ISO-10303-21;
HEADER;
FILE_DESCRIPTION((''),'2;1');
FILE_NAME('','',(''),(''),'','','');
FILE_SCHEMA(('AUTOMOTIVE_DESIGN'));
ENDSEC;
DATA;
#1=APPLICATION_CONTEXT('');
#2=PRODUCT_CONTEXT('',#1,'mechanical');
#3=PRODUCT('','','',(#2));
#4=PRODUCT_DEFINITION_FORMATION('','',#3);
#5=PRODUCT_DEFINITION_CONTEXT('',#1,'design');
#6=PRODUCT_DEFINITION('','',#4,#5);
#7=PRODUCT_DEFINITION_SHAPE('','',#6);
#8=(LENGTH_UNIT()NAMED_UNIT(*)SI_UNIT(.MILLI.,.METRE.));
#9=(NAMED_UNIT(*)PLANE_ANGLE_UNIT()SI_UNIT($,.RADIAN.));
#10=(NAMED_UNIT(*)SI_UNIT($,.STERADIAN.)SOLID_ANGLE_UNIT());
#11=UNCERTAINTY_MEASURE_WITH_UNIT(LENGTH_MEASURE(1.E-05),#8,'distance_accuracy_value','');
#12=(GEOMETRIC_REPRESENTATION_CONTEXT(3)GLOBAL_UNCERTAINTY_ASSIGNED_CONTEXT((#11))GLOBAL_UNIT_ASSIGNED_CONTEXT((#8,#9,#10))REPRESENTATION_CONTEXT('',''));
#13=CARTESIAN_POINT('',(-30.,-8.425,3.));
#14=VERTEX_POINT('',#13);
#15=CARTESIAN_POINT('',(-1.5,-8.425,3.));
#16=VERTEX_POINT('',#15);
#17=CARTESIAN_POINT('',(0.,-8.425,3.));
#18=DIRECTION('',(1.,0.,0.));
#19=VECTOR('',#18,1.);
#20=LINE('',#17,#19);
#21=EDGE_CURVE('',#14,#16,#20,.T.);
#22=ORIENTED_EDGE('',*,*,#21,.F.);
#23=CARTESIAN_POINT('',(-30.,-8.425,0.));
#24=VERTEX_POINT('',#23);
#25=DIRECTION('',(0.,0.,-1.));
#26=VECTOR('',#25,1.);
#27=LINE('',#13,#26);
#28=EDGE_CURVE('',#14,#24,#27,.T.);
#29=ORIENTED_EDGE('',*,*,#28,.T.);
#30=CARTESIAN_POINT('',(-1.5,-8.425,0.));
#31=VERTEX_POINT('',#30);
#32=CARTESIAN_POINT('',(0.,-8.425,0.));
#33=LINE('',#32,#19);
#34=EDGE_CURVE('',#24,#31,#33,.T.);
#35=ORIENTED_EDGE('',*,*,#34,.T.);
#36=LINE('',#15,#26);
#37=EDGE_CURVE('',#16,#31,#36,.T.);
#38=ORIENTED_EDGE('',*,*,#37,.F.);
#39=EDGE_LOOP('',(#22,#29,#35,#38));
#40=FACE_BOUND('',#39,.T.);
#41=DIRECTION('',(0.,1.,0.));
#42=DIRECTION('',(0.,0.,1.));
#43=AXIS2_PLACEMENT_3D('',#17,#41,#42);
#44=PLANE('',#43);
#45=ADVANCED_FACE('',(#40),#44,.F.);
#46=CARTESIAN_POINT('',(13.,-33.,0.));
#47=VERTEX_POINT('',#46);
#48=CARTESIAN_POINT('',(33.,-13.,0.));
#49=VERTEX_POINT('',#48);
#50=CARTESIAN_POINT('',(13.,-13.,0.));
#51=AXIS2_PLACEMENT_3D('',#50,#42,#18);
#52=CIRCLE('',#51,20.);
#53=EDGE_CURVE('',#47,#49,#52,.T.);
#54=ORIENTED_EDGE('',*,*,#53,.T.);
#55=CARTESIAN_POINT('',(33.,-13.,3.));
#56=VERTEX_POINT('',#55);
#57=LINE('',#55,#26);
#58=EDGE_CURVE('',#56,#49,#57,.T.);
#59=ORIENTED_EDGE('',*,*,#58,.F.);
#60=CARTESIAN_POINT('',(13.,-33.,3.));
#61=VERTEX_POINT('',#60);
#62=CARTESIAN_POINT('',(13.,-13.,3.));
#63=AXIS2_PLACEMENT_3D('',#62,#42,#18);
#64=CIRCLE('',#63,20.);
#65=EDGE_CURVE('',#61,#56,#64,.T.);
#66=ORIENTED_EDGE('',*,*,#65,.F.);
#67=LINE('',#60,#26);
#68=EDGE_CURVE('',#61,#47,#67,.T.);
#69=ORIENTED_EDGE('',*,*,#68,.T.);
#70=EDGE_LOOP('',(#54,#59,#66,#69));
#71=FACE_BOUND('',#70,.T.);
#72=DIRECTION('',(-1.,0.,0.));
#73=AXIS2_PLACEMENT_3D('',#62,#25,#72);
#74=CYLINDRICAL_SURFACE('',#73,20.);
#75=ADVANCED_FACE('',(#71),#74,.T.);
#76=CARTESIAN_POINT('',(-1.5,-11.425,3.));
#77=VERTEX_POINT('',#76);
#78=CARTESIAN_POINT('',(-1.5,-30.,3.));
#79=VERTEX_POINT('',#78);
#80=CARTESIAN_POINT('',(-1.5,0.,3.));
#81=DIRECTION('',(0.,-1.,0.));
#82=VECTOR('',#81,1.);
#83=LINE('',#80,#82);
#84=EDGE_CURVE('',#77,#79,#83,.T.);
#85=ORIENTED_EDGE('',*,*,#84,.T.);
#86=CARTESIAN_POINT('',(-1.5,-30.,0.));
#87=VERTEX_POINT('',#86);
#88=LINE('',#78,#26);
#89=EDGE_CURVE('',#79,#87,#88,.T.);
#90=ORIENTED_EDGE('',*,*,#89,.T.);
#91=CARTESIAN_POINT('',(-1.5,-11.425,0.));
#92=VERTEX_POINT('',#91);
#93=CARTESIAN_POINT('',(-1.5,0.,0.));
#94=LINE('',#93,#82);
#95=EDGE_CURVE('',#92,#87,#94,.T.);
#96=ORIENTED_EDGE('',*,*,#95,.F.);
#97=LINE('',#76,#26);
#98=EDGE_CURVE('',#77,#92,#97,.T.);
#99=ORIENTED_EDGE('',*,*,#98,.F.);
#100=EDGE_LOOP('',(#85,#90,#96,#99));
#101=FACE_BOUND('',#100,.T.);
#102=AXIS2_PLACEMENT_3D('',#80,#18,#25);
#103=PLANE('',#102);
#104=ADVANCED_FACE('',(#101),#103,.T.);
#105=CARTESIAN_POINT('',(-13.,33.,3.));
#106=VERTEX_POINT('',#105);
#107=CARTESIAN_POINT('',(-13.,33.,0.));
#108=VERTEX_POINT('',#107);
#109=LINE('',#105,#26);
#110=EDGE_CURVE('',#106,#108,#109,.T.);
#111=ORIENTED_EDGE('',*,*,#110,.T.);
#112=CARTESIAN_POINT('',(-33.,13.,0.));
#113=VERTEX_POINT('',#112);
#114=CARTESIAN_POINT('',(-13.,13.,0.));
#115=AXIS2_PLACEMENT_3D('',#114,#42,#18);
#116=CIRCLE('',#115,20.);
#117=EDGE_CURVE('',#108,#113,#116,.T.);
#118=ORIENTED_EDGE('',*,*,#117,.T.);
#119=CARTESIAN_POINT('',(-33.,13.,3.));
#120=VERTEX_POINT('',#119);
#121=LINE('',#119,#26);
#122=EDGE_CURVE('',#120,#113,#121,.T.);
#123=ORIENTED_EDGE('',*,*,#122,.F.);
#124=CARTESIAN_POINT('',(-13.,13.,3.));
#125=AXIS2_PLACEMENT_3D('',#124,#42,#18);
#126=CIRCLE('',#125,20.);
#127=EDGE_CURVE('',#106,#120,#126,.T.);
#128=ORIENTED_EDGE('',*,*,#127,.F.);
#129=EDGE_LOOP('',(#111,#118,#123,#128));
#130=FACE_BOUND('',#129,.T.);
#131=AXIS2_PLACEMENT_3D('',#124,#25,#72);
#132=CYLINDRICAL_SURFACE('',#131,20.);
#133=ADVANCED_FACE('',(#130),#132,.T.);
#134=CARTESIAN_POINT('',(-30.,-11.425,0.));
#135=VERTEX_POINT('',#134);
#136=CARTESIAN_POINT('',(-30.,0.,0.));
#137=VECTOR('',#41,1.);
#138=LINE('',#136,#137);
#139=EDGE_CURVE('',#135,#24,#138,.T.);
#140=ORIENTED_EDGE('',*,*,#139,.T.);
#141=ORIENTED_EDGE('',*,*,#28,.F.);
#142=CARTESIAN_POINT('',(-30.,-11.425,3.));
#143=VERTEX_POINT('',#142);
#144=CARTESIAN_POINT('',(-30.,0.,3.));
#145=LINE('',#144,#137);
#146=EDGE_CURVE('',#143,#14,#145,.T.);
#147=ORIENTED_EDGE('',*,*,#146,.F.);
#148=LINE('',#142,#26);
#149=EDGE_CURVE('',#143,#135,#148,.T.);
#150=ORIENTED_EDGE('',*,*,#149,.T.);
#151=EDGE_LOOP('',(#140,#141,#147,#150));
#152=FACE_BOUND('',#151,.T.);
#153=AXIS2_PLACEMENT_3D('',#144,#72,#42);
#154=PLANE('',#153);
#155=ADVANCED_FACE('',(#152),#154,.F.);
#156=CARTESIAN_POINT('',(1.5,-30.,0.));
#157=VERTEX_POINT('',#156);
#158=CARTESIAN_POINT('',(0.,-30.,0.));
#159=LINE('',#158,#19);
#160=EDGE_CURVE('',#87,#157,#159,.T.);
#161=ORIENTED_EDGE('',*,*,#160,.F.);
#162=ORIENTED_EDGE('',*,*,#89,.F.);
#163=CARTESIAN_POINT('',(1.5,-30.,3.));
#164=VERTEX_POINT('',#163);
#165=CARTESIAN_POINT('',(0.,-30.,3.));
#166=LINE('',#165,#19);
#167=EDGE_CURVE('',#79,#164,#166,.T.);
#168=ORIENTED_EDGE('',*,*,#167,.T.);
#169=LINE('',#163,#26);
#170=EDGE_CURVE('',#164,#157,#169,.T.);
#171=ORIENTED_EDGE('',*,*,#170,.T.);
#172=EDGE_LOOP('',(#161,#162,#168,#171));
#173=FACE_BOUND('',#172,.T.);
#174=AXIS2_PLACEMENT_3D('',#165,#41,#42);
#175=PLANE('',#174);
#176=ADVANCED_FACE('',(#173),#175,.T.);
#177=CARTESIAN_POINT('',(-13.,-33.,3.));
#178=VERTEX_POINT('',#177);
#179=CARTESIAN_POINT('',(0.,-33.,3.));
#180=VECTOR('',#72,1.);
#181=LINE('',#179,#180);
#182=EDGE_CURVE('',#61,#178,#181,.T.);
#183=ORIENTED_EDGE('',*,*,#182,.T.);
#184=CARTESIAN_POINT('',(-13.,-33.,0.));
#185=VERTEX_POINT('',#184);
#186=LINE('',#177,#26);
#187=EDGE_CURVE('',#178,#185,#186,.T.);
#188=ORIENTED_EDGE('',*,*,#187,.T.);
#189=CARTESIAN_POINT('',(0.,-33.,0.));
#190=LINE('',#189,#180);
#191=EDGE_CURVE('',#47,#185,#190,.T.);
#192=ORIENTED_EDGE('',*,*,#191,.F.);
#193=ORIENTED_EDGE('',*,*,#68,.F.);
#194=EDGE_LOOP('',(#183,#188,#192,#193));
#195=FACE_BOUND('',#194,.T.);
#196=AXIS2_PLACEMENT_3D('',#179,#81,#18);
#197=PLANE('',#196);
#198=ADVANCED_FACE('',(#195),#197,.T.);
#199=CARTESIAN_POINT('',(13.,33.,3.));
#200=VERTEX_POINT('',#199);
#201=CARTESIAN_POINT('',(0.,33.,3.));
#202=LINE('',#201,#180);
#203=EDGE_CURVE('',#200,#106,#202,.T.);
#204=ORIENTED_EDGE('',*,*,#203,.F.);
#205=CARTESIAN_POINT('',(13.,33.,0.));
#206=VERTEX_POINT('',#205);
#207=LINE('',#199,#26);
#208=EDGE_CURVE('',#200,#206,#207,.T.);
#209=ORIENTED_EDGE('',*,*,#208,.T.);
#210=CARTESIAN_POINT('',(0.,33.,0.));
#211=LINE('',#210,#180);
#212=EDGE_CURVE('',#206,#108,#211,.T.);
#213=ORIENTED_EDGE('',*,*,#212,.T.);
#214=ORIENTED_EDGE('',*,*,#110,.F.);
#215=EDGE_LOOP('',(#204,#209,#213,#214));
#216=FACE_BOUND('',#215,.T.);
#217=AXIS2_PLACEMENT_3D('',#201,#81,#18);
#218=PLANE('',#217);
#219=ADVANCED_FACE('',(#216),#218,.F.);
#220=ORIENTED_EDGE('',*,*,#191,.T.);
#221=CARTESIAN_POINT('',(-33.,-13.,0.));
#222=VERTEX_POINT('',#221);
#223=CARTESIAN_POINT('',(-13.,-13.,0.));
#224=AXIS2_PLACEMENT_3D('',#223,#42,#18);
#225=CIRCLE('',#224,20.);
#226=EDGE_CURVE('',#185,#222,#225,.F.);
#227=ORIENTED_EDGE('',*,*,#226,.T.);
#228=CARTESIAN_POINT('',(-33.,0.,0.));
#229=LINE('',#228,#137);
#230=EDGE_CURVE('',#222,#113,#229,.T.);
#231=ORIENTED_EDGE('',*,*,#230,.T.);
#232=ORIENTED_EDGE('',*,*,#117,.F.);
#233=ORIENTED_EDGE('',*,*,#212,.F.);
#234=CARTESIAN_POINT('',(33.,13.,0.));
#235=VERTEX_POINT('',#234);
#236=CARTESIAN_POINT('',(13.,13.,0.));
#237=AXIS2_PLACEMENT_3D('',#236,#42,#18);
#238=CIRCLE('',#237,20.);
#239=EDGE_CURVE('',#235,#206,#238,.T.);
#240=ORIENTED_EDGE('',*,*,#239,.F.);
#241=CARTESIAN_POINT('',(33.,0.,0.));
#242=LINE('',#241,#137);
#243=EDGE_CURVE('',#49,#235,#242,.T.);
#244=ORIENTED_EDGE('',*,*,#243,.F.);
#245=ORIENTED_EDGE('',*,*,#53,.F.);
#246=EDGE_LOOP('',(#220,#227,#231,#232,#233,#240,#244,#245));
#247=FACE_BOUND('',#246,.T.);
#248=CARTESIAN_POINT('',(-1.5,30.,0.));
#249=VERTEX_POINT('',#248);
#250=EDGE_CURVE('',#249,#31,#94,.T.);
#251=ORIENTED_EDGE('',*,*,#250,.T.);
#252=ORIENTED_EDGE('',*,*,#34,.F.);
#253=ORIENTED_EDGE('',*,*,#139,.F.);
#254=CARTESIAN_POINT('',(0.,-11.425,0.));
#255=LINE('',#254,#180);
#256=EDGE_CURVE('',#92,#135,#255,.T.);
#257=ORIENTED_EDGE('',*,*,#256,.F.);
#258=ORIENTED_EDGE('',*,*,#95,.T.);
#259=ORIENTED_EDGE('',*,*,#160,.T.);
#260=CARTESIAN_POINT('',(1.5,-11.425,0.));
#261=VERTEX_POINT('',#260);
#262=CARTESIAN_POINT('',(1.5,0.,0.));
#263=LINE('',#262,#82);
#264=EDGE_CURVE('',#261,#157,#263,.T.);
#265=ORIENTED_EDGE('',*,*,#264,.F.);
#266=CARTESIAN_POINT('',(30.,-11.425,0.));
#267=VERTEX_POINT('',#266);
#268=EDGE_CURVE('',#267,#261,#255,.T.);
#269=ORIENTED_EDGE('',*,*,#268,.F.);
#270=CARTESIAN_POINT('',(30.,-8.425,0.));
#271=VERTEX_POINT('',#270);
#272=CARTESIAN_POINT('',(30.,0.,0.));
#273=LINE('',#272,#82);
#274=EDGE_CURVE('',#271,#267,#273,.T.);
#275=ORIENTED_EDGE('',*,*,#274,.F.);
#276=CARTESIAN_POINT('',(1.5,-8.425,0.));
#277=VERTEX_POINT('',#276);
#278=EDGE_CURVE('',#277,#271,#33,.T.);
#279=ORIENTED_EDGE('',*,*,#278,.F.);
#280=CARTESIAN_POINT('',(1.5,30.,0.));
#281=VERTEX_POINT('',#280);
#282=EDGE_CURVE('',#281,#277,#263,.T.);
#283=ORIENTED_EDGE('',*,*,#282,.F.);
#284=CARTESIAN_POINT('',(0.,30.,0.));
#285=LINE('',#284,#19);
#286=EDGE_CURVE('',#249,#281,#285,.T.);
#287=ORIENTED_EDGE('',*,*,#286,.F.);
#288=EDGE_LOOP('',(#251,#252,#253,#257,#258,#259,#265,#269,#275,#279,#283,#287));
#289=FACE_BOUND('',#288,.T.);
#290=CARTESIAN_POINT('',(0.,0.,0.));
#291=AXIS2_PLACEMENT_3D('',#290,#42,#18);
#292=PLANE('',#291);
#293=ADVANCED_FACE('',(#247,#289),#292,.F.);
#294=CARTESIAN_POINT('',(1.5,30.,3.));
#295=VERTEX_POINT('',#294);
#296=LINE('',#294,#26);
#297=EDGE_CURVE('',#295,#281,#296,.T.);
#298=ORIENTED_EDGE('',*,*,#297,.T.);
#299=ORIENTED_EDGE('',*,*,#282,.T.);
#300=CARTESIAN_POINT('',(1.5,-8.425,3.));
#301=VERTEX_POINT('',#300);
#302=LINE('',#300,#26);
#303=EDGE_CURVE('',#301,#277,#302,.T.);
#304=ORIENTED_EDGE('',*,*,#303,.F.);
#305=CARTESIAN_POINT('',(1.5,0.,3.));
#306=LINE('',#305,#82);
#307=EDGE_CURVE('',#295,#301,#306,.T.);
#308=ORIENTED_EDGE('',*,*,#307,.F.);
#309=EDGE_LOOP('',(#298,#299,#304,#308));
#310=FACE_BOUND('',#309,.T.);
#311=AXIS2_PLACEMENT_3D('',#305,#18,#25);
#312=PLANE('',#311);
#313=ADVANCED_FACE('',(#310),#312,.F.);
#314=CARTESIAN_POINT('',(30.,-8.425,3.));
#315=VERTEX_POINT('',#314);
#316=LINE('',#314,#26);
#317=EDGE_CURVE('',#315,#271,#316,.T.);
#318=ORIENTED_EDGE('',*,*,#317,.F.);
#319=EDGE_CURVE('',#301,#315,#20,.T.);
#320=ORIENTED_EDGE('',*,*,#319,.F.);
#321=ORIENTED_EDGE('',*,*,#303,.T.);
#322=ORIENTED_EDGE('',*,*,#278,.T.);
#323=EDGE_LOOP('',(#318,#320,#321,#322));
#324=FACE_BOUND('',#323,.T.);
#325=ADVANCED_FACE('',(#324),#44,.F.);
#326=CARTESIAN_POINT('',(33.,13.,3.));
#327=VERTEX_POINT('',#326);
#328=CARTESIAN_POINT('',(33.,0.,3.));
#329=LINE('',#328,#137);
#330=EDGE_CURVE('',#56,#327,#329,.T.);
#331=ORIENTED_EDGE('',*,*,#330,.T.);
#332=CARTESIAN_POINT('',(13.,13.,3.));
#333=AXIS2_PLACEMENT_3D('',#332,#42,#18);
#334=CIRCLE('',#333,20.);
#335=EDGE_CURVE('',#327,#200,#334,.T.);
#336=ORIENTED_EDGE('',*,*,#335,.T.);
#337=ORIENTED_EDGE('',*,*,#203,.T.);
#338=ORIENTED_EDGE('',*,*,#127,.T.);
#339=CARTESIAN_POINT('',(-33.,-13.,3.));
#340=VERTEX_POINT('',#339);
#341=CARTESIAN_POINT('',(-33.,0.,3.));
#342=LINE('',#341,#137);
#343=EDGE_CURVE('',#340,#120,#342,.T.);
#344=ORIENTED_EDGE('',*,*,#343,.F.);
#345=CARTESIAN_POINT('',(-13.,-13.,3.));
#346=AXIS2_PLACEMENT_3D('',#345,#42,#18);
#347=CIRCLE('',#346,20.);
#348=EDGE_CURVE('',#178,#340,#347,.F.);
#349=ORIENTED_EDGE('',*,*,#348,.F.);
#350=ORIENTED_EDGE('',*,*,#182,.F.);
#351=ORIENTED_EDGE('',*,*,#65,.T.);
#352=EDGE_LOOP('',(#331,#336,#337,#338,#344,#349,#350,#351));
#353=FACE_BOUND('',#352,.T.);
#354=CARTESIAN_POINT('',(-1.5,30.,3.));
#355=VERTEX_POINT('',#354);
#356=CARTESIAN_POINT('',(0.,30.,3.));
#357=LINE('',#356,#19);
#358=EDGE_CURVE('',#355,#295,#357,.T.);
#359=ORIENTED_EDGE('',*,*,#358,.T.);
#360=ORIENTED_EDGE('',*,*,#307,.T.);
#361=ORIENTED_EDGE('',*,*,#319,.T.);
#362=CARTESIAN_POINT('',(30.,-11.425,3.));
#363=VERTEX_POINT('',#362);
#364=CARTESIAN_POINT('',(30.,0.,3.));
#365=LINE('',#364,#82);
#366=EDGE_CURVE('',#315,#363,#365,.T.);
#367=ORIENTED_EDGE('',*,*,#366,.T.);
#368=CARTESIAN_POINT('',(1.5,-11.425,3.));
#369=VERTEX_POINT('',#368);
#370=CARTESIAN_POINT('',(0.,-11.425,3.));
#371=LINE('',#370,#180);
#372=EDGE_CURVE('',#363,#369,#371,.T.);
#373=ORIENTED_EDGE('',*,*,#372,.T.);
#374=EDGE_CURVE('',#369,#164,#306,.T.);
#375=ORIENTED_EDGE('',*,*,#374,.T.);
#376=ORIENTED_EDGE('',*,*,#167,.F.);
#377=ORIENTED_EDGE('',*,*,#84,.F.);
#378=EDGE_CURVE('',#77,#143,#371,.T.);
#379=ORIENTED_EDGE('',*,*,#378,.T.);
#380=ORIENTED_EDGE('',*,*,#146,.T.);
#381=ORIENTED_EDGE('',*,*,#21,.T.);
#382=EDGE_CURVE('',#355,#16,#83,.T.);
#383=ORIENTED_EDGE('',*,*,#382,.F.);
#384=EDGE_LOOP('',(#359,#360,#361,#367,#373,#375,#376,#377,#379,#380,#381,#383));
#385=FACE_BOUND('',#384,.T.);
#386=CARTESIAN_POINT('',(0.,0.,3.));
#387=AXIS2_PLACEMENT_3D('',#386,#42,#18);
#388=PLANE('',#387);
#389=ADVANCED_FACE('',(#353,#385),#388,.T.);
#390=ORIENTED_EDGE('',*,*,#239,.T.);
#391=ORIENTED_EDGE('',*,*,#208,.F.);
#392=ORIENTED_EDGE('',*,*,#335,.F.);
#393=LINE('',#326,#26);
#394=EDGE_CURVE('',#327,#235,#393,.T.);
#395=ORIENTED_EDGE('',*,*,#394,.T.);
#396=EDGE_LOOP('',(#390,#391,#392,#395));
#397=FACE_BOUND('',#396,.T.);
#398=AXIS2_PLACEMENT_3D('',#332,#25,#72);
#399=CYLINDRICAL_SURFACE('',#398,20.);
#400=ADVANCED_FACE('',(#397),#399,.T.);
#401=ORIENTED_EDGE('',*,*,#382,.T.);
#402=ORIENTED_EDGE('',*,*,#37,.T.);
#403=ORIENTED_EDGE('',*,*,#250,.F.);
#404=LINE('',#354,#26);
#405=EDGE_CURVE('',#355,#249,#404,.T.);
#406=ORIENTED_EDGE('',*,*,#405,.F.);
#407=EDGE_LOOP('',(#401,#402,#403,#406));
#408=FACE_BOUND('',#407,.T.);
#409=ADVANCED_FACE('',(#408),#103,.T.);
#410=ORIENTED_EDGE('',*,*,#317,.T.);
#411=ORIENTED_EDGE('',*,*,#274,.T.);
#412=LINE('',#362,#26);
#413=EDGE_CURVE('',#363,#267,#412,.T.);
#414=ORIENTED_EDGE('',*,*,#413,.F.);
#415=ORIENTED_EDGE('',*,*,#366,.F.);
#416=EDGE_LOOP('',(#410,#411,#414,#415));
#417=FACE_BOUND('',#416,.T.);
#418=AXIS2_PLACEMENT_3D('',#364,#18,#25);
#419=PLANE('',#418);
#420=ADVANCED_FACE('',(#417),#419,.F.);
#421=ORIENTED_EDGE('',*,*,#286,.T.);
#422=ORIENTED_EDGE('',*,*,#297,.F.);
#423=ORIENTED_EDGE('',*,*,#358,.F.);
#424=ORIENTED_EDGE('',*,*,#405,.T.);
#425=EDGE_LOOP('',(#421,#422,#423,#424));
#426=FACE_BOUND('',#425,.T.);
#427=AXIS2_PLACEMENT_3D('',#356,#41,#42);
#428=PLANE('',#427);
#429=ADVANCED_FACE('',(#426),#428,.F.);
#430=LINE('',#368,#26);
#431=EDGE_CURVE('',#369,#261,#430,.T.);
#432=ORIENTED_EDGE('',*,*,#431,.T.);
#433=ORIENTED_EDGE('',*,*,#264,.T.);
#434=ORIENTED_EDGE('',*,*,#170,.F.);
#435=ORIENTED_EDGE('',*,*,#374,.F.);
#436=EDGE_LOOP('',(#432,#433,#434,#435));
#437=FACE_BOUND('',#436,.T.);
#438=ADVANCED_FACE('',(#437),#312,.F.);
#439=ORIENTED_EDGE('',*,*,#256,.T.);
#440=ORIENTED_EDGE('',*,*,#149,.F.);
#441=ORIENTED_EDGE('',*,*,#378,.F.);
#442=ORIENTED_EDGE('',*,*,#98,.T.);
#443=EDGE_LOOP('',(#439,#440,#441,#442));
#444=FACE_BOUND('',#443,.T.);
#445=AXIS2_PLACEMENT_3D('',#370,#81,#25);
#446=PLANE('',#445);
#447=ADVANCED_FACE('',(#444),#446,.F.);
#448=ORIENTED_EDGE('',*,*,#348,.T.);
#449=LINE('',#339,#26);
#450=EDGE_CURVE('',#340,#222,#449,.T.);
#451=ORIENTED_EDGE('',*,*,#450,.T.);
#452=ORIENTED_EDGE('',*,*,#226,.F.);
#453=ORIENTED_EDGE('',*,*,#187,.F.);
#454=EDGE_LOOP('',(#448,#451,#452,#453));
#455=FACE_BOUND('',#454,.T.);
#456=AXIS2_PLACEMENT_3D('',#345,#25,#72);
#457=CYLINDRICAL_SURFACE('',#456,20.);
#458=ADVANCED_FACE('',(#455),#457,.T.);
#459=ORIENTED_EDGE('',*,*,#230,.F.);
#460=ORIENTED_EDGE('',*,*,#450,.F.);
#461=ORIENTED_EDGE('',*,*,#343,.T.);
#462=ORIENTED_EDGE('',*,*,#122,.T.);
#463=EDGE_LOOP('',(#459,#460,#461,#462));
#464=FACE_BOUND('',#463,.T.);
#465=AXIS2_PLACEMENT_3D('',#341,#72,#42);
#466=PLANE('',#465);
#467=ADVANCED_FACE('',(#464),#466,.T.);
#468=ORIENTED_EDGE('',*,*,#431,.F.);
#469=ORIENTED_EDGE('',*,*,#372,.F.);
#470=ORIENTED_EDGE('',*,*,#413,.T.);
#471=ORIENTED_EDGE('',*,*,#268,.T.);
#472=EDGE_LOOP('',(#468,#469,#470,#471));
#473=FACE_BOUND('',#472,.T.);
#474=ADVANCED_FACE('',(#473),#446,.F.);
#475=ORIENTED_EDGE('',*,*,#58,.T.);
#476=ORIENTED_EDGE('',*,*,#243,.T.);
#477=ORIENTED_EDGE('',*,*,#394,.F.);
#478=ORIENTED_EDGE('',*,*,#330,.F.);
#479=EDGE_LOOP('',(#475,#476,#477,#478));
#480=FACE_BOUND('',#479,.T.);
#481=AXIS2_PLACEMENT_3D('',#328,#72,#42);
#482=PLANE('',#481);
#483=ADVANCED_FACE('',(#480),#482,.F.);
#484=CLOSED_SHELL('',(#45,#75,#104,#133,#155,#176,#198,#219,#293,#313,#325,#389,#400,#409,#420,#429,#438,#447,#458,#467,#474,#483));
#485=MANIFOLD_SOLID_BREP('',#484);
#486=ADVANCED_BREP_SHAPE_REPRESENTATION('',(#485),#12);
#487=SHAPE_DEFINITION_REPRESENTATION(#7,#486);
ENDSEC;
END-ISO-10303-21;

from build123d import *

# Parameters (mm, degrees)
SALIENTE_EXTRUIR1_DEPTH = 3


with BuildPart() as part:
    # Croquis1 → Saliente-Extruir1 (new body)
    with BuildSketch(Plane.XY):
        with BuildLine():
            Line((-13, -33), (13, -33))
            ThreePointArc((13, -33), (27.142135624, -27.142135624), (33, -13))
            Line((33, -13), (33, 13))
            ThreePointArc((33, 13), (27.142135624, 27.142135624), (13, 33))
            Line((13, 33), (-13, 33))
            ThreePointArc((-13, 33), (-27.142135624, 27.142135624), (-33, 13))
            Line((-33, 13), (-33, -13))
            ThreePointArc((-33, -13), (-27.142135624, -27.142135624), (-13, -33))
        make_face()
        Polygon((-30, -11.425), (-30, -8.425), (-1.5, -8.425), (-1.5, 30), (1.5, 30), (1.5, -8.425), (30, -8.425), (30, -11.425), (1.5, -11.425), (1.5, -30), (-1.5, -30), (-1.5, -11.425), align=None, mode=Mode.SUBTRACT)
    extrude(amount=SALIENTE_EXTRUIR1_DEPTH)


solid = part.part
